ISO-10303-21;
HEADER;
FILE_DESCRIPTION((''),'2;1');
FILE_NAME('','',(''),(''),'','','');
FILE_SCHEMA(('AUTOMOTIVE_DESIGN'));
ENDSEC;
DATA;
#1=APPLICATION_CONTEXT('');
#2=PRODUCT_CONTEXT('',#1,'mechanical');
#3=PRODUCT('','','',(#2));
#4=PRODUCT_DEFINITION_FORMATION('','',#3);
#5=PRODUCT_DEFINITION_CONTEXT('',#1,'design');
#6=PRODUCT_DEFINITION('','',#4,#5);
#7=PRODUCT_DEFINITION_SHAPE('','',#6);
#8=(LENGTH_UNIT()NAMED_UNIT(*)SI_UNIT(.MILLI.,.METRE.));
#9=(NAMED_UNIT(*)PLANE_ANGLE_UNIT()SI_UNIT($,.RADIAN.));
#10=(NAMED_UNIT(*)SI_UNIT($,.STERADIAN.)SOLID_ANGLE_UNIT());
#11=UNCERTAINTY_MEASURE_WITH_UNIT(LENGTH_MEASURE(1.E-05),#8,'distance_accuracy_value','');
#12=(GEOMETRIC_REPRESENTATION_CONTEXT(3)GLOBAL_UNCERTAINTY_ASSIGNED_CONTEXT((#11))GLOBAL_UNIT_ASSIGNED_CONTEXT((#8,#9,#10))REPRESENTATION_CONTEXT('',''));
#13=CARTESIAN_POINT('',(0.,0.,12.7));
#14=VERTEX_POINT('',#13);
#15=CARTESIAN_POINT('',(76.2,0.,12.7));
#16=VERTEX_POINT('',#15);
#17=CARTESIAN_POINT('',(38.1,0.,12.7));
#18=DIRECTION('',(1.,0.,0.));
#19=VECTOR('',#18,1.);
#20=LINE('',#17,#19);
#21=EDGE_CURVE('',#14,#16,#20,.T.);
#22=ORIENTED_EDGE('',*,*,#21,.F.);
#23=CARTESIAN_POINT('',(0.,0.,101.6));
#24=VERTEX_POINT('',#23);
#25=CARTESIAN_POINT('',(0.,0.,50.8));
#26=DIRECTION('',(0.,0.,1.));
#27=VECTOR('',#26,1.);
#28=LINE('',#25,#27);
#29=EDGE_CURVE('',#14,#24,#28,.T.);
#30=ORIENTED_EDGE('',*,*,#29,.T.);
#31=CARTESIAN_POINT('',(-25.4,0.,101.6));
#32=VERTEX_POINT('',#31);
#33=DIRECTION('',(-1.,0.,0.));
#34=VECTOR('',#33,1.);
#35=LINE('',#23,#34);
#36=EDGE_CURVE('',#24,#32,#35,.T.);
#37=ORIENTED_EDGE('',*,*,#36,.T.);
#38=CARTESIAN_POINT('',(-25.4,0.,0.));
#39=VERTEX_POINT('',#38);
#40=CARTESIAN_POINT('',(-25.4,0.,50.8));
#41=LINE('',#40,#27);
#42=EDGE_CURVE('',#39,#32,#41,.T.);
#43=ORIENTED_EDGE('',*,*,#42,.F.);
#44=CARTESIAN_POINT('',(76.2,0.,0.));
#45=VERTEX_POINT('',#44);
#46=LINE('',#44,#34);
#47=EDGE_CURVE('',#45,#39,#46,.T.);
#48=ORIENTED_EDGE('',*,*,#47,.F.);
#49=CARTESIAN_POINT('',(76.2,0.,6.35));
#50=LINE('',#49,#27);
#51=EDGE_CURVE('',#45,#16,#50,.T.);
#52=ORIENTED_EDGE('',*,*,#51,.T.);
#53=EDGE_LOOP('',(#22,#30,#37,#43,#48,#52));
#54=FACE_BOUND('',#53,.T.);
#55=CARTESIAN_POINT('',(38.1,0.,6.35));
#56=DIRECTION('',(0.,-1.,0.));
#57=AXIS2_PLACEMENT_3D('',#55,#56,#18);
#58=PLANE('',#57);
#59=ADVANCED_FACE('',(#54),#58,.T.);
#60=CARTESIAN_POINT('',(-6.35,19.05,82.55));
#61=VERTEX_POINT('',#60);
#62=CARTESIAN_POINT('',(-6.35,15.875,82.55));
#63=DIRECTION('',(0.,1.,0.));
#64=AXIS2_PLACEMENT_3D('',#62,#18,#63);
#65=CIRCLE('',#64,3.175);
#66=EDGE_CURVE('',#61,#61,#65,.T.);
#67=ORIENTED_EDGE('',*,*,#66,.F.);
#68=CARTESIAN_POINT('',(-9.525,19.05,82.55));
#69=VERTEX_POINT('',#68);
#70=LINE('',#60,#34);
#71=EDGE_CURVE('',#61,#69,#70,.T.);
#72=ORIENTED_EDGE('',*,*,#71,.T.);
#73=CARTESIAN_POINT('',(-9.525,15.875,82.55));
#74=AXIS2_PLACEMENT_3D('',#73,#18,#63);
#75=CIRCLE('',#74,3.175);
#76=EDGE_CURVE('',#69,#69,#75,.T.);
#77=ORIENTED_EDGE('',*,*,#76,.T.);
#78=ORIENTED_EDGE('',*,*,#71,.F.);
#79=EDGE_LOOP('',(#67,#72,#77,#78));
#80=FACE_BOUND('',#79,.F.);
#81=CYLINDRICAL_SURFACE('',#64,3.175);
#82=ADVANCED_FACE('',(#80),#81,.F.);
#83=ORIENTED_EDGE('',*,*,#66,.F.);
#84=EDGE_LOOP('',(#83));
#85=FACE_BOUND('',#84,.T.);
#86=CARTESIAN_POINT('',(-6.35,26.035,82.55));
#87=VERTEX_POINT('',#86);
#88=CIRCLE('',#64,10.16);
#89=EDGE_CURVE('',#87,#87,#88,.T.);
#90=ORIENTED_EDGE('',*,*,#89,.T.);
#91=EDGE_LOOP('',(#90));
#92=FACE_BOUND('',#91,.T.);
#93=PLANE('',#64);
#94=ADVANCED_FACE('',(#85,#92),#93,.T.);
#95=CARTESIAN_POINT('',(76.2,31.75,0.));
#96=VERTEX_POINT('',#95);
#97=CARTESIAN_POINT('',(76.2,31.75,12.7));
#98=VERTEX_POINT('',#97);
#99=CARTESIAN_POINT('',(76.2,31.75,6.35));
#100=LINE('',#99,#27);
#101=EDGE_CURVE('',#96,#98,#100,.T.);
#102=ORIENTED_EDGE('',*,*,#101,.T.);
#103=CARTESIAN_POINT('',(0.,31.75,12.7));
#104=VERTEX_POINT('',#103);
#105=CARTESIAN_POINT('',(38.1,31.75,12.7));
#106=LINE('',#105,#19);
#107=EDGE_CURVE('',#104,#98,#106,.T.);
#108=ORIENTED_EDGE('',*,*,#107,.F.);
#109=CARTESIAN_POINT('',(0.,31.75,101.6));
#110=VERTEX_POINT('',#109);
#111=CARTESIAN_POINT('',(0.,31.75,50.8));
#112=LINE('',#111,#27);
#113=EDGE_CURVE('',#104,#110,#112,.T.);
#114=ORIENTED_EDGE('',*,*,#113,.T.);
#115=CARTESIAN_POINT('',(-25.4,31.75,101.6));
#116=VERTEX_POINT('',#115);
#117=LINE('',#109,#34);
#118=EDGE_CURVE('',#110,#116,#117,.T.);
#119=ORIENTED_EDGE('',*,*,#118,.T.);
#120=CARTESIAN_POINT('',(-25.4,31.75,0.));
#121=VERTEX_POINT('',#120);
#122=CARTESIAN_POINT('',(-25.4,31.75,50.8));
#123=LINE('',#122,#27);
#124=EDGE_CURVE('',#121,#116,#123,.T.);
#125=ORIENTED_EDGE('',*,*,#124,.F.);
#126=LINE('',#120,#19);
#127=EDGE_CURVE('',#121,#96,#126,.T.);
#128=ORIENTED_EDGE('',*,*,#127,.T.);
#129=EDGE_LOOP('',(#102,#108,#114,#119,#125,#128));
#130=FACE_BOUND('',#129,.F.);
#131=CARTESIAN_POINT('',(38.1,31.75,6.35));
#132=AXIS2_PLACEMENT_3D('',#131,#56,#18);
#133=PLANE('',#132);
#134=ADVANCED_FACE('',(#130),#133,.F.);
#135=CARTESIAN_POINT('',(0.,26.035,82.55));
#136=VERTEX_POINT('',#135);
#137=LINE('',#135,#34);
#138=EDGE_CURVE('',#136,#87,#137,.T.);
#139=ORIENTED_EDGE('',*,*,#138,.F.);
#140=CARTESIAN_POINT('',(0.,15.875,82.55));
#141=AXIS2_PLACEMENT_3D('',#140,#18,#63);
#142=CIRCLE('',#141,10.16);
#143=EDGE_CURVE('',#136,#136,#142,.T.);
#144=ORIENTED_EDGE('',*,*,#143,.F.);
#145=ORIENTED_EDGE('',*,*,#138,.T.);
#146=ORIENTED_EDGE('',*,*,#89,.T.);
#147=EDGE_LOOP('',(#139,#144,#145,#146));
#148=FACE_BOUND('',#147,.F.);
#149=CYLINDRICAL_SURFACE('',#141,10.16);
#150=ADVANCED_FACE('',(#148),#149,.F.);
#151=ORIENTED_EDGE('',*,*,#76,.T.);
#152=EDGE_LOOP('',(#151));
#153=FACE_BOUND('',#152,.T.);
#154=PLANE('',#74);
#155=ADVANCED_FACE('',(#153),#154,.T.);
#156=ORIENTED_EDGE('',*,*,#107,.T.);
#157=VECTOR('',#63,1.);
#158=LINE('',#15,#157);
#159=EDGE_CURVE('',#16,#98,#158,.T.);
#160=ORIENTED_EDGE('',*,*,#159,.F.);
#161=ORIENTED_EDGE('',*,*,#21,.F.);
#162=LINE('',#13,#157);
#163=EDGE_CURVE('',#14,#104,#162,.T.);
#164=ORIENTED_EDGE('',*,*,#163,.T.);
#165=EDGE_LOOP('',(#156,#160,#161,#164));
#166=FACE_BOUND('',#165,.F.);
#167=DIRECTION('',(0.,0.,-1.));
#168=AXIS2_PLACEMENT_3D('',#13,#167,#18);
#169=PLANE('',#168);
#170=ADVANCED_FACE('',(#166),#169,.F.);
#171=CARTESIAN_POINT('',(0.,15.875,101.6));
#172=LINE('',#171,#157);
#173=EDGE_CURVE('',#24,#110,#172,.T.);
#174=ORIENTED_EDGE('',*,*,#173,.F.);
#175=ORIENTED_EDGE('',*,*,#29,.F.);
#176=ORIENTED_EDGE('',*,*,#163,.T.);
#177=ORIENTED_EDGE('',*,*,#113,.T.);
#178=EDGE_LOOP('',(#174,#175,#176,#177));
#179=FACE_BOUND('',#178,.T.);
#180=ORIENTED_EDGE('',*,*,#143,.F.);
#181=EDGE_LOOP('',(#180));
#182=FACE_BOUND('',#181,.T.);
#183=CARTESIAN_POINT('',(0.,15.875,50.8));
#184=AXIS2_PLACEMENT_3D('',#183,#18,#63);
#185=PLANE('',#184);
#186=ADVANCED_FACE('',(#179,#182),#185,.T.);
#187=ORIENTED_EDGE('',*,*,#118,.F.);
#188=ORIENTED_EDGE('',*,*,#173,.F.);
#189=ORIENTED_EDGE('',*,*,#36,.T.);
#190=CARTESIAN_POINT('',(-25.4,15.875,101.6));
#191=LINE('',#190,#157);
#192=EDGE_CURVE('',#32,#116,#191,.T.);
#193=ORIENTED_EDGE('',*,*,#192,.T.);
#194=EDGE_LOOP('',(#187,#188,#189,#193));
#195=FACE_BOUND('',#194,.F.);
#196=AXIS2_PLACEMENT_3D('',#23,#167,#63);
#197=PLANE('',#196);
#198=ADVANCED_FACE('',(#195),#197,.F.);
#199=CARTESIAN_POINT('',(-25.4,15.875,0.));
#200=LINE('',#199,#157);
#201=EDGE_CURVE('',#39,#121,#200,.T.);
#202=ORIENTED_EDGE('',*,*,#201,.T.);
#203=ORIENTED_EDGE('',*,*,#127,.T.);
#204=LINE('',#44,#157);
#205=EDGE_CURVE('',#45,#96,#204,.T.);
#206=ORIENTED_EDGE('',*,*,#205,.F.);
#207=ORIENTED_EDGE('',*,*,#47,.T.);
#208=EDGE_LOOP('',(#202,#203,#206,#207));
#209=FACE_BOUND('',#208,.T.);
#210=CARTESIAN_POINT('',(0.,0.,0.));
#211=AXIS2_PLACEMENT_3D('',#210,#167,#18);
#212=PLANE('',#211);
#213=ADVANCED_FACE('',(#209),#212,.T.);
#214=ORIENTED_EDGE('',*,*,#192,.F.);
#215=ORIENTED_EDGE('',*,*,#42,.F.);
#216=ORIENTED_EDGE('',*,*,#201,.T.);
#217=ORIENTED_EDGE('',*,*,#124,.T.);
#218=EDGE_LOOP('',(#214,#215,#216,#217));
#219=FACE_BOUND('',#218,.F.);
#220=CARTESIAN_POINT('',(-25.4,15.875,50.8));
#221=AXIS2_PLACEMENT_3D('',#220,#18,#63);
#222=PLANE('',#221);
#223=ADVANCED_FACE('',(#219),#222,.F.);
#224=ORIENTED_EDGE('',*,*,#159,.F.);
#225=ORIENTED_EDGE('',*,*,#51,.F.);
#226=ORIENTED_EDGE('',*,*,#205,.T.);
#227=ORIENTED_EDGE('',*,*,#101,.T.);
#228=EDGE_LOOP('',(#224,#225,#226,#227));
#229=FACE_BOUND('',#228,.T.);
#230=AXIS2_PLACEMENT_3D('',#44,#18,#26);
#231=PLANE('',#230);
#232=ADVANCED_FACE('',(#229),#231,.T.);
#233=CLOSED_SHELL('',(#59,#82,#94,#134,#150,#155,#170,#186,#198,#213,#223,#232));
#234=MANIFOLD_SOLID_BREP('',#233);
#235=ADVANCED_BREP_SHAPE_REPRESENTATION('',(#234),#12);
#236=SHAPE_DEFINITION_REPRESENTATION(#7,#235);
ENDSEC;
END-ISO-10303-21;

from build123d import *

# Parameters (mm, degrees)
F0_W     = 31.75
F0_H     = 101.6
F1_DEPTH = 25.4
F2_R     = 10.16
F3_DEPTH = 6.35
F4_R     = 3.175
F5_DEPTH = 3.175
F6_W     = 76.2
F6_H     = 12.7
F7_DEPTH = 31.75


with BuildPart() as f1:
    # F0 (on Right) → F1 (new body)
    with BuildSketch(Plane.YZ):
        with Locations((15.875, 50.8)):
            Rectangle(F0_W, F0_H)
    extrude(amount=-F1_DEPTH)

    # F2 (on face) → F3 (cut)
    with BuildSketch(Plane.YZ):
        with Locations((15.875, 82.55)):
            Circle(F2_R)
    extrude(amount=-F3_DEPTH, mode=Mode.SUBTRACT)

    # F4 (on face) → F5 (cut)
    with BuildSketch(Plane.YZ.offset(-6.35)):
        with Locations((15.875, 82.55)):
            Circle(F4_R)
    extrude(amount=-F5_DEPTH, mode=Mode.SUBTRACT)

    # F6 (on face) → F7 (join)
    with BuildSketch(Plane.XZ):
        with Locations((38.1, 6.35)):
            Rectangle(F6_W, F6_H)
    extrude(amount=-F7_DEPTH)


solid = f1.part
